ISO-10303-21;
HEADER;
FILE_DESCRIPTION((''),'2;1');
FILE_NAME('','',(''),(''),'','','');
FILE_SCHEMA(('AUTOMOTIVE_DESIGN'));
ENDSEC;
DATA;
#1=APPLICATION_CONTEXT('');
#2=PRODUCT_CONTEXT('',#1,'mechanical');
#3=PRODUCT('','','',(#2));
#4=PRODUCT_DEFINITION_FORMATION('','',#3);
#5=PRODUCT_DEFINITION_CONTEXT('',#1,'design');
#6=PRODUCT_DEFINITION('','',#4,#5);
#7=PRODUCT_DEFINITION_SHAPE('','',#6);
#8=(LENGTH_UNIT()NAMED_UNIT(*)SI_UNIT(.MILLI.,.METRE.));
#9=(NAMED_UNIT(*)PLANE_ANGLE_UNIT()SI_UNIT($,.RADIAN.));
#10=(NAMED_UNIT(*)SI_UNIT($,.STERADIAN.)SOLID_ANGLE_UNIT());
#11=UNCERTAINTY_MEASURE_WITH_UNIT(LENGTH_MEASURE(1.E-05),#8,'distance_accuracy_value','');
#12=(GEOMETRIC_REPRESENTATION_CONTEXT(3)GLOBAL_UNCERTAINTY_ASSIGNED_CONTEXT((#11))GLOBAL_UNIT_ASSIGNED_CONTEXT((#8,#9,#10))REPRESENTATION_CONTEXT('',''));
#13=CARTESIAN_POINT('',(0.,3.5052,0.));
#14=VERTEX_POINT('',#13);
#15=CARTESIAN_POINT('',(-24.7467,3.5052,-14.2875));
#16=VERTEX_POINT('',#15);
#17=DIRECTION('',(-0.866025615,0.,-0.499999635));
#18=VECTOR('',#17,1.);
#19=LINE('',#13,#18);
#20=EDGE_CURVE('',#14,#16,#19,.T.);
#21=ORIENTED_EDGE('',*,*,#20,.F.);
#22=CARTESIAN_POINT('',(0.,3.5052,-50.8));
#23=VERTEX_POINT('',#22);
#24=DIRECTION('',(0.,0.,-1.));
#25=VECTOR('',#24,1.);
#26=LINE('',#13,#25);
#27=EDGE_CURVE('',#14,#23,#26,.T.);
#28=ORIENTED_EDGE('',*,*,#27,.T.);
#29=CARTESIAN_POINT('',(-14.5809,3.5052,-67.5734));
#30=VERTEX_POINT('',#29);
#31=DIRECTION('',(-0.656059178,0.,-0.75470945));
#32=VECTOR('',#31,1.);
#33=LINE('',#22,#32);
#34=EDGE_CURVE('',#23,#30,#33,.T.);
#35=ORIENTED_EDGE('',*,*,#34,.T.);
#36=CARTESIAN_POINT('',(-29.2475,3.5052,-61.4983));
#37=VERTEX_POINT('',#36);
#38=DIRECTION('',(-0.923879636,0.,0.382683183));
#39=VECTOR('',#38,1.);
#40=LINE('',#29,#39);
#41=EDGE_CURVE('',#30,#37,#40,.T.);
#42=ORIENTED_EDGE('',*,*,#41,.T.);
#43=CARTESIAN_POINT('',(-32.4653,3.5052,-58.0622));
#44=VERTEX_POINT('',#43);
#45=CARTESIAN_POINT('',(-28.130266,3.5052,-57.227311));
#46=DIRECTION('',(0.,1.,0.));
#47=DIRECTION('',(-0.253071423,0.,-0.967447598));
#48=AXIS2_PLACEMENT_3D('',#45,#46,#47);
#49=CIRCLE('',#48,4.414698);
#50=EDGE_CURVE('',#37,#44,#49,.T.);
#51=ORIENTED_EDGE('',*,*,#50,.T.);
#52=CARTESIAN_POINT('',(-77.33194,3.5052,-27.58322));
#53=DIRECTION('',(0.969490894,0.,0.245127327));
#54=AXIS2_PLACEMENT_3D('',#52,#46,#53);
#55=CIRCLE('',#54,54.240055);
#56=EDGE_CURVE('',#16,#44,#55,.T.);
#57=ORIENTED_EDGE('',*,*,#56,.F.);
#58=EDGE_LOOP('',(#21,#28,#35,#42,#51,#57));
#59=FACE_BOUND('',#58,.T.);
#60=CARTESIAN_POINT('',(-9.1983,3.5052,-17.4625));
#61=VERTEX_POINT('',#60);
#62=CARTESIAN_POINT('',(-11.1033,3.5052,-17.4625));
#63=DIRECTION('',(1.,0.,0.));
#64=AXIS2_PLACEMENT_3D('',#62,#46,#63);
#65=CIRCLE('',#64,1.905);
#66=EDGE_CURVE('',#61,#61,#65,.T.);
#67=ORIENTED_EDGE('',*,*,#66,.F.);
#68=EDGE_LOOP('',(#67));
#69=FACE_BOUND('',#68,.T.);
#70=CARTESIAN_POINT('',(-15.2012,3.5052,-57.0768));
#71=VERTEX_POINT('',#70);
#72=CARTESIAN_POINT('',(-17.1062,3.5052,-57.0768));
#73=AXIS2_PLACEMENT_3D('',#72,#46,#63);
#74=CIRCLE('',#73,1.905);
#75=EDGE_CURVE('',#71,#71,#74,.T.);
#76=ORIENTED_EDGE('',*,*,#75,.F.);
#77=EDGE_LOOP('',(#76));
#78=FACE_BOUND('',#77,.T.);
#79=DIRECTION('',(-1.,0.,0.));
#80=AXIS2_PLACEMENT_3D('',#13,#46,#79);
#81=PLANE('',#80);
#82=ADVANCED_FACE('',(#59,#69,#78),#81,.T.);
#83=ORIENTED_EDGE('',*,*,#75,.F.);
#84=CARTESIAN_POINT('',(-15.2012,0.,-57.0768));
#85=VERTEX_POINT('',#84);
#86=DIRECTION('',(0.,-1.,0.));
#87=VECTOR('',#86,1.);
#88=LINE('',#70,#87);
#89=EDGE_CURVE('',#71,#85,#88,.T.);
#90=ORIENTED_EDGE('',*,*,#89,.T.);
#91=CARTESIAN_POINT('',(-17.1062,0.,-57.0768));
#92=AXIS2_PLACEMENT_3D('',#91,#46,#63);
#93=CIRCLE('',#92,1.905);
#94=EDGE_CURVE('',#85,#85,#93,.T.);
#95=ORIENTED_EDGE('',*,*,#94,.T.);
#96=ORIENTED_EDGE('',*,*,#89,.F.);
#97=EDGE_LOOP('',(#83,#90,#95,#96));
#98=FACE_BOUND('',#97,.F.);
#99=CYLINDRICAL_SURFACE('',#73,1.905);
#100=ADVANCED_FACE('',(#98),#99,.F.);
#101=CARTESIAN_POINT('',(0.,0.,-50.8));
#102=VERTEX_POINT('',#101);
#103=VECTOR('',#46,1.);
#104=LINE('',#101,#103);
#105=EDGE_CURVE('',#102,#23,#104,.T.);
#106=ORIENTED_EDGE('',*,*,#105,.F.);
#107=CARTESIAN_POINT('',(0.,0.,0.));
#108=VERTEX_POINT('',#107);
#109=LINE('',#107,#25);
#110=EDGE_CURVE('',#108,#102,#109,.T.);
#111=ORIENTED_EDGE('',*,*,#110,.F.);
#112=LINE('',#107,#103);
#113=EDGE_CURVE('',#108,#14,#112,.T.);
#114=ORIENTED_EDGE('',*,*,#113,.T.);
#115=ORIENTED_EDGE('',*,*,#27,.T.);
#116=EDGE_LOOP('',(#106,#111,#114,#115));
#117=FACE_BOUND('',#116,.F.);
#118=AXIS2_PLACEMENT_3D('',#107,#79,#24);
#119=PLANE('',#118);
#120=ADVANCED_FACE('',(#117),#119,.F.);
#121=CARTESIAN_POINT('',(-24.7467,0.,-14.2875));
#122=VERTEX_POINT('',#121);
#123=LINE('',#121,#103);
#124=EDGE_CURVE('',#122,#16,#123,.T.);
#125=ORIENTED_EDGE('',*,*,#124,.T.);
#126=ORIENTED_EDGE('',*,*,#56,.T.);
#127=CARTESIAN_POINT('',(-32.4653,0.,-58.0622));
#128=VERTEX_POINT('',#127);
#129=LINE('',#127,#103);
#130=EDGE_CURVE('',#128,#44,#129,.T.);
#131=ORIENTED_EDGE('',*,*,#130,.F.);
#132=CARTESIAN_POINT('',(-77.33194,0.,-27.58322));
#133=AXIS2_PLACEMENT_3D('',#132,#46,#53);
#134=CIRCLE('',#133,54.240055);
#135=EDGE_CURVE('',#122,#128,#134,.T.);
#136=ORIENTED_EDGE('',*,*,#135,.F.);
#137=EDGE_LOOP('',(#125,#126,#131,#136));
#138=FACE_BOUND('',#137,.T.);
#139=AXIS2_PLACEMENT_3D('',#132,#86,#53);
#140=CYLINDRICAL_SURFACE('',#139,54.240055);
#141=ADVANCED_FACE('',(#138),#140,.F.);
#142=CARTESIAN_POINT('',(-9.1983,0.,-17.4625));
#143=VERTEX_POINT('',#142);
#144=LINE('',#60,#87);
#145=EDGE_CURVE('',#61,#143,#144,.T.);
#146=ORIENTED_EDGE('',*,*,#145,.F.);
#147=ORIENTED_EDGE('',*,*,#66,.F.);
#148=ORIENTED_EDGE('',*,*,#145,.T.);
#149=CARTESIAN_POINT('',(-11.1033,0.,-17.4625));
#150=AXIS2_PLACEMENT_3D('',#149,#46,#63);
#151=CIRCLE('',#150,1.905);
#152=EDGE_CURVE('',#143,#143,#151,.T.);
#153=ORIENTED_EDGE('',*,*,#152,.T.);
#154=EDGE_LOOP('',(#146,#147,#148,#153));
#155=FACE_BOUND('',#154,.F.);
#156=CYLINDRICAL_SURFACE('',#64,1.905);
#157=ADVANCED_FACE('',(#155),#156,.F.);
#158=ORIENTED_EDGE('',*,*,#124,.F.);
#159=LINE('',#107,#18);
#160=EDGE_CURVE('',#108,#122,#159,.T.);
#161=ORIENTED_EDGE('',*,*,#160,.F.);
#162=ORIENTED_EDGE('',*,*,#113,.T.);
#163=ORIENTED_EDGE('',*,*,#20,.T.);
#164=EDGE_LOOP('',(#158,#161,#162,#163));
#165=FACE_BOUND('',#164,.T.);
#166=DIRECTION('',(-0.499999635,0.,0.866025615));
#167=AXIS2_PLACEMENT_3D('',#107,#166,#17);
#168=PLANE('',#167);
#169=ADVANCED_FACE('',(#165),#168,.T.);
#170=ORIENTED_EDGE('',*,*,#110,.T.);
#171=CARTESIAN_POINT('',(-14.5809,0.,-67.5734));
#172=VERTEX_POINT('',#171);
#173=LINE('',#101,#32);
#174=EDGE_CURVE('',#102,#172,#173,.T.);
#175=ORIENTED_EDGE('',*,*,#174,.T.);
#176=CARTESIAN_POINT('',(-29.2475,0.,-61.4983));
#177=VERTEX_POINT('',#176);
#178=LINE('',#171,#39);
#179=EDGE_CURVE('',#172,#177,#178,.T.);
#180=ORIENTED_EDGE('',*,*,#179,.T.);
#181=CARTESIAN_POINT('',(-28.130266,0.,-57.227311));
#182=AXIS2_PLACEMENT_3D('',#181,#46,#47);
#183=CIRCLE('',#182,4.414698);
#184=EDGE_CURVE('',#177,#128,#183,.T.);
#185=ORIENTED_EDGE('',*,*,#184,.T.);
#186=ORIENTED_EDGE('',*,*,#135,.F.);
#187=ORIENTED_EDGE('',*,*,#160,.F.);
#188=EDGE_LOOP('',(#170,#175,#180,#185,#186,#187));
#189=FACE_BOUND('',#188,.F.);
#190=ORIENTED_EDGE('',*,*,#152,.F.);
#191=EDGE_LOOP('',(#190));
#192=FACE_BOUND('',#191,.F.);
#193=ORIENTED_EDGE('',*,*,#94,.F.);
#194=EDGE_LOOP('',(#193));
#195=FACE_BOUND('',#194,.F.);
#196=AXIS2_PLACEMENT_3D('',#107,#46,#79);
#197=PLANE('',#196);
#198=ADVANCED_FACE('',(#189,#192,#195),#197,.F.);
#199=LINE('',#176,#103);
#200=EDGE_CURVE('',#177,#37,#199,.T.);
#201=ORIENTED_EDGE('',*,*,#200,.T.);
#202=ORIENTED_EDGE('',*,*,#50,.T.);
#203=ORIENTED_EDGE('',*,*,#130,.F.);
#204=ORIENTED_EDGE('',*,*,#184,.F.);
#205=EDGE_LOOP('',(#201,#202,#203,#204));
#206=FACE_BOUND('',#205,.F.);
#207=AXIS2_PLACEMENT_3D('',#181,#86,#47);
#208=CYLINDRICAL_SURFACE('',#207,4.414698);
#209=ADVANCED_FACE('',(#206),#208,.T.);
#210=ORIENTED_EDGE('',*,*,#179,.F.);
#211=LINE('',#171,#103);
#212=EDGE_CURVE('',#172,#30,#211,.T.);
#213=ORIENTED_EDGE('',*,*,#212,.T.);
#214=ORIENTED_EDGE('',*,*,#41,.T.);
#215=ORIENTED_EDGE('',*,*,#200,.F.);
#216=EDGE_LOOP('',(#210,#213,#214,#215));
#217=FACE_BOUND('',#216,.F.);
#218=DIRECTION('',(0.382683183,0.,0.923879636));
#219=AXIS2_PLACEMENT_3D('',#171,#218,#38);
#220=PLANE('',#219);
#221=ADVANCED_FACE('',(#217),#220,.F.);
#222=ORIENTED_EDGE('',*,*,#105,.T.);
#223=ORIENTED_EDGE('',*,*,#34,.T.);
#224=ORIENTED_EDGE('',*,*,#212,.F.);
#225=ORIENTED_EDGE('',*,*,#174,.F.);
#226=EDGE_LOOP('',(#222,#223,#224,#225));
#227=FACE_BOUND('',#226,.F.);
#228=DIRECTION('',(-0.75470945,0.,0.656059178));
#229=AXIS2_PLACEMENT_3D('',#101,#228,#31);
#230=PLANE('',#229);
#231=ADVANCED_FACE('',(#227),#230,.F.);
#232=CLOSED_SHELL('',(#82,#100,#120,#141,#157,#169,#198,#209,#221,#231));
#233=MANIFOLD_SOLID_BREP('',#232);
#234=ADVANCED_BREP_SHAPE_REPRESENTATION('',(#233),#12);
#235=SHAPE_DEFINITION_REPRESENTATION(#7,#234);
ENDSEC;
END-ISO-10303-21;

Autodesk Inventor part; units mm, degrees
ref_plane "YZ Plane" through (0, 0, 0) normal (1, 0, 0) x (0, 1, 0)
ref_plane "XZ Plane" through (0, 0, 0) normal (0, 1, 0) x (-1, 0, 0)
ref_plane "XY Plane" through (0, 0, 0) normal (0, 0, 1) x (1, 0, 0)
sketch "Sketch1" plane through (0, 0, 0) normal (0, 1, 0) x (-1, 0, 0)
  line L0 (0, 0) -> (24.7467, -14.2875)
  line L1 (0, 0) -> (0, -50.8)
  line L2 (0, -50.8) -> (14.5809, -67.5734)
  arc A0 (29.2475, -61.4983) -> (32.4653, -58.0622) centre (28.1302, -57.2272) ccw
  arc A1 (24.7467, -14.2875) -> (32.4653, -58.0622) centre (77.3314, -27.5832) ccw
  line L3 (14.5809, -67.5734) -> (29.2475, -61.4983)
  circle A2 centre (17.1062, -57.0768) radius 1.905
  circle A3 centre (11.1033, -17.4625) radius 1.905
  line L4 (11.1033, -17.4625) -> (0, 0)
  line L5 (11.1033, -17.4625) -> (24.7467, -14.2875)
  line L6 (17.1062, -57.0768) -> (14.5809, -67.5734)
  line L7 (17.1062, -57.0768) -> (0, -50.8)
  dimension "d0" = 28.575
  dimension "d1" = 50.8
  dimension "d2" = 22.225
  dimension "d3" = 15.875
  dimension "d6" = 44.45
  dimension "d7" = 60
  dimension "d8" = 108.5
  dimension "d9" = 139
  dimension "d13" = 3.81
  dimension "d14" = 3.81
  dimension "d32" = 20.6935
  dimension "d33" = 17.1062
  dimension "d34" = 10.4967
  dimension "d35" = 13.6433
extrude "Extrusion1" add sketch "Sketch1" along normal blind 3.5052
sketch "Sketch2" plane through (0, 3.5052, 0) normal (0, 1, 0) x (1, 0, 0)
  circle A0 centre (-17.1062, 57.0768) radius 1.905
  circle A1 centre (-11.1033, 17.4625) radius 1.905
  dimension "d28" = 3.81
  dimension "d29" = 3.81
extrude "Extrusion2" cut sketch "Sketch2" against normal blind 3.5052
properties part number "Eagle piece"
